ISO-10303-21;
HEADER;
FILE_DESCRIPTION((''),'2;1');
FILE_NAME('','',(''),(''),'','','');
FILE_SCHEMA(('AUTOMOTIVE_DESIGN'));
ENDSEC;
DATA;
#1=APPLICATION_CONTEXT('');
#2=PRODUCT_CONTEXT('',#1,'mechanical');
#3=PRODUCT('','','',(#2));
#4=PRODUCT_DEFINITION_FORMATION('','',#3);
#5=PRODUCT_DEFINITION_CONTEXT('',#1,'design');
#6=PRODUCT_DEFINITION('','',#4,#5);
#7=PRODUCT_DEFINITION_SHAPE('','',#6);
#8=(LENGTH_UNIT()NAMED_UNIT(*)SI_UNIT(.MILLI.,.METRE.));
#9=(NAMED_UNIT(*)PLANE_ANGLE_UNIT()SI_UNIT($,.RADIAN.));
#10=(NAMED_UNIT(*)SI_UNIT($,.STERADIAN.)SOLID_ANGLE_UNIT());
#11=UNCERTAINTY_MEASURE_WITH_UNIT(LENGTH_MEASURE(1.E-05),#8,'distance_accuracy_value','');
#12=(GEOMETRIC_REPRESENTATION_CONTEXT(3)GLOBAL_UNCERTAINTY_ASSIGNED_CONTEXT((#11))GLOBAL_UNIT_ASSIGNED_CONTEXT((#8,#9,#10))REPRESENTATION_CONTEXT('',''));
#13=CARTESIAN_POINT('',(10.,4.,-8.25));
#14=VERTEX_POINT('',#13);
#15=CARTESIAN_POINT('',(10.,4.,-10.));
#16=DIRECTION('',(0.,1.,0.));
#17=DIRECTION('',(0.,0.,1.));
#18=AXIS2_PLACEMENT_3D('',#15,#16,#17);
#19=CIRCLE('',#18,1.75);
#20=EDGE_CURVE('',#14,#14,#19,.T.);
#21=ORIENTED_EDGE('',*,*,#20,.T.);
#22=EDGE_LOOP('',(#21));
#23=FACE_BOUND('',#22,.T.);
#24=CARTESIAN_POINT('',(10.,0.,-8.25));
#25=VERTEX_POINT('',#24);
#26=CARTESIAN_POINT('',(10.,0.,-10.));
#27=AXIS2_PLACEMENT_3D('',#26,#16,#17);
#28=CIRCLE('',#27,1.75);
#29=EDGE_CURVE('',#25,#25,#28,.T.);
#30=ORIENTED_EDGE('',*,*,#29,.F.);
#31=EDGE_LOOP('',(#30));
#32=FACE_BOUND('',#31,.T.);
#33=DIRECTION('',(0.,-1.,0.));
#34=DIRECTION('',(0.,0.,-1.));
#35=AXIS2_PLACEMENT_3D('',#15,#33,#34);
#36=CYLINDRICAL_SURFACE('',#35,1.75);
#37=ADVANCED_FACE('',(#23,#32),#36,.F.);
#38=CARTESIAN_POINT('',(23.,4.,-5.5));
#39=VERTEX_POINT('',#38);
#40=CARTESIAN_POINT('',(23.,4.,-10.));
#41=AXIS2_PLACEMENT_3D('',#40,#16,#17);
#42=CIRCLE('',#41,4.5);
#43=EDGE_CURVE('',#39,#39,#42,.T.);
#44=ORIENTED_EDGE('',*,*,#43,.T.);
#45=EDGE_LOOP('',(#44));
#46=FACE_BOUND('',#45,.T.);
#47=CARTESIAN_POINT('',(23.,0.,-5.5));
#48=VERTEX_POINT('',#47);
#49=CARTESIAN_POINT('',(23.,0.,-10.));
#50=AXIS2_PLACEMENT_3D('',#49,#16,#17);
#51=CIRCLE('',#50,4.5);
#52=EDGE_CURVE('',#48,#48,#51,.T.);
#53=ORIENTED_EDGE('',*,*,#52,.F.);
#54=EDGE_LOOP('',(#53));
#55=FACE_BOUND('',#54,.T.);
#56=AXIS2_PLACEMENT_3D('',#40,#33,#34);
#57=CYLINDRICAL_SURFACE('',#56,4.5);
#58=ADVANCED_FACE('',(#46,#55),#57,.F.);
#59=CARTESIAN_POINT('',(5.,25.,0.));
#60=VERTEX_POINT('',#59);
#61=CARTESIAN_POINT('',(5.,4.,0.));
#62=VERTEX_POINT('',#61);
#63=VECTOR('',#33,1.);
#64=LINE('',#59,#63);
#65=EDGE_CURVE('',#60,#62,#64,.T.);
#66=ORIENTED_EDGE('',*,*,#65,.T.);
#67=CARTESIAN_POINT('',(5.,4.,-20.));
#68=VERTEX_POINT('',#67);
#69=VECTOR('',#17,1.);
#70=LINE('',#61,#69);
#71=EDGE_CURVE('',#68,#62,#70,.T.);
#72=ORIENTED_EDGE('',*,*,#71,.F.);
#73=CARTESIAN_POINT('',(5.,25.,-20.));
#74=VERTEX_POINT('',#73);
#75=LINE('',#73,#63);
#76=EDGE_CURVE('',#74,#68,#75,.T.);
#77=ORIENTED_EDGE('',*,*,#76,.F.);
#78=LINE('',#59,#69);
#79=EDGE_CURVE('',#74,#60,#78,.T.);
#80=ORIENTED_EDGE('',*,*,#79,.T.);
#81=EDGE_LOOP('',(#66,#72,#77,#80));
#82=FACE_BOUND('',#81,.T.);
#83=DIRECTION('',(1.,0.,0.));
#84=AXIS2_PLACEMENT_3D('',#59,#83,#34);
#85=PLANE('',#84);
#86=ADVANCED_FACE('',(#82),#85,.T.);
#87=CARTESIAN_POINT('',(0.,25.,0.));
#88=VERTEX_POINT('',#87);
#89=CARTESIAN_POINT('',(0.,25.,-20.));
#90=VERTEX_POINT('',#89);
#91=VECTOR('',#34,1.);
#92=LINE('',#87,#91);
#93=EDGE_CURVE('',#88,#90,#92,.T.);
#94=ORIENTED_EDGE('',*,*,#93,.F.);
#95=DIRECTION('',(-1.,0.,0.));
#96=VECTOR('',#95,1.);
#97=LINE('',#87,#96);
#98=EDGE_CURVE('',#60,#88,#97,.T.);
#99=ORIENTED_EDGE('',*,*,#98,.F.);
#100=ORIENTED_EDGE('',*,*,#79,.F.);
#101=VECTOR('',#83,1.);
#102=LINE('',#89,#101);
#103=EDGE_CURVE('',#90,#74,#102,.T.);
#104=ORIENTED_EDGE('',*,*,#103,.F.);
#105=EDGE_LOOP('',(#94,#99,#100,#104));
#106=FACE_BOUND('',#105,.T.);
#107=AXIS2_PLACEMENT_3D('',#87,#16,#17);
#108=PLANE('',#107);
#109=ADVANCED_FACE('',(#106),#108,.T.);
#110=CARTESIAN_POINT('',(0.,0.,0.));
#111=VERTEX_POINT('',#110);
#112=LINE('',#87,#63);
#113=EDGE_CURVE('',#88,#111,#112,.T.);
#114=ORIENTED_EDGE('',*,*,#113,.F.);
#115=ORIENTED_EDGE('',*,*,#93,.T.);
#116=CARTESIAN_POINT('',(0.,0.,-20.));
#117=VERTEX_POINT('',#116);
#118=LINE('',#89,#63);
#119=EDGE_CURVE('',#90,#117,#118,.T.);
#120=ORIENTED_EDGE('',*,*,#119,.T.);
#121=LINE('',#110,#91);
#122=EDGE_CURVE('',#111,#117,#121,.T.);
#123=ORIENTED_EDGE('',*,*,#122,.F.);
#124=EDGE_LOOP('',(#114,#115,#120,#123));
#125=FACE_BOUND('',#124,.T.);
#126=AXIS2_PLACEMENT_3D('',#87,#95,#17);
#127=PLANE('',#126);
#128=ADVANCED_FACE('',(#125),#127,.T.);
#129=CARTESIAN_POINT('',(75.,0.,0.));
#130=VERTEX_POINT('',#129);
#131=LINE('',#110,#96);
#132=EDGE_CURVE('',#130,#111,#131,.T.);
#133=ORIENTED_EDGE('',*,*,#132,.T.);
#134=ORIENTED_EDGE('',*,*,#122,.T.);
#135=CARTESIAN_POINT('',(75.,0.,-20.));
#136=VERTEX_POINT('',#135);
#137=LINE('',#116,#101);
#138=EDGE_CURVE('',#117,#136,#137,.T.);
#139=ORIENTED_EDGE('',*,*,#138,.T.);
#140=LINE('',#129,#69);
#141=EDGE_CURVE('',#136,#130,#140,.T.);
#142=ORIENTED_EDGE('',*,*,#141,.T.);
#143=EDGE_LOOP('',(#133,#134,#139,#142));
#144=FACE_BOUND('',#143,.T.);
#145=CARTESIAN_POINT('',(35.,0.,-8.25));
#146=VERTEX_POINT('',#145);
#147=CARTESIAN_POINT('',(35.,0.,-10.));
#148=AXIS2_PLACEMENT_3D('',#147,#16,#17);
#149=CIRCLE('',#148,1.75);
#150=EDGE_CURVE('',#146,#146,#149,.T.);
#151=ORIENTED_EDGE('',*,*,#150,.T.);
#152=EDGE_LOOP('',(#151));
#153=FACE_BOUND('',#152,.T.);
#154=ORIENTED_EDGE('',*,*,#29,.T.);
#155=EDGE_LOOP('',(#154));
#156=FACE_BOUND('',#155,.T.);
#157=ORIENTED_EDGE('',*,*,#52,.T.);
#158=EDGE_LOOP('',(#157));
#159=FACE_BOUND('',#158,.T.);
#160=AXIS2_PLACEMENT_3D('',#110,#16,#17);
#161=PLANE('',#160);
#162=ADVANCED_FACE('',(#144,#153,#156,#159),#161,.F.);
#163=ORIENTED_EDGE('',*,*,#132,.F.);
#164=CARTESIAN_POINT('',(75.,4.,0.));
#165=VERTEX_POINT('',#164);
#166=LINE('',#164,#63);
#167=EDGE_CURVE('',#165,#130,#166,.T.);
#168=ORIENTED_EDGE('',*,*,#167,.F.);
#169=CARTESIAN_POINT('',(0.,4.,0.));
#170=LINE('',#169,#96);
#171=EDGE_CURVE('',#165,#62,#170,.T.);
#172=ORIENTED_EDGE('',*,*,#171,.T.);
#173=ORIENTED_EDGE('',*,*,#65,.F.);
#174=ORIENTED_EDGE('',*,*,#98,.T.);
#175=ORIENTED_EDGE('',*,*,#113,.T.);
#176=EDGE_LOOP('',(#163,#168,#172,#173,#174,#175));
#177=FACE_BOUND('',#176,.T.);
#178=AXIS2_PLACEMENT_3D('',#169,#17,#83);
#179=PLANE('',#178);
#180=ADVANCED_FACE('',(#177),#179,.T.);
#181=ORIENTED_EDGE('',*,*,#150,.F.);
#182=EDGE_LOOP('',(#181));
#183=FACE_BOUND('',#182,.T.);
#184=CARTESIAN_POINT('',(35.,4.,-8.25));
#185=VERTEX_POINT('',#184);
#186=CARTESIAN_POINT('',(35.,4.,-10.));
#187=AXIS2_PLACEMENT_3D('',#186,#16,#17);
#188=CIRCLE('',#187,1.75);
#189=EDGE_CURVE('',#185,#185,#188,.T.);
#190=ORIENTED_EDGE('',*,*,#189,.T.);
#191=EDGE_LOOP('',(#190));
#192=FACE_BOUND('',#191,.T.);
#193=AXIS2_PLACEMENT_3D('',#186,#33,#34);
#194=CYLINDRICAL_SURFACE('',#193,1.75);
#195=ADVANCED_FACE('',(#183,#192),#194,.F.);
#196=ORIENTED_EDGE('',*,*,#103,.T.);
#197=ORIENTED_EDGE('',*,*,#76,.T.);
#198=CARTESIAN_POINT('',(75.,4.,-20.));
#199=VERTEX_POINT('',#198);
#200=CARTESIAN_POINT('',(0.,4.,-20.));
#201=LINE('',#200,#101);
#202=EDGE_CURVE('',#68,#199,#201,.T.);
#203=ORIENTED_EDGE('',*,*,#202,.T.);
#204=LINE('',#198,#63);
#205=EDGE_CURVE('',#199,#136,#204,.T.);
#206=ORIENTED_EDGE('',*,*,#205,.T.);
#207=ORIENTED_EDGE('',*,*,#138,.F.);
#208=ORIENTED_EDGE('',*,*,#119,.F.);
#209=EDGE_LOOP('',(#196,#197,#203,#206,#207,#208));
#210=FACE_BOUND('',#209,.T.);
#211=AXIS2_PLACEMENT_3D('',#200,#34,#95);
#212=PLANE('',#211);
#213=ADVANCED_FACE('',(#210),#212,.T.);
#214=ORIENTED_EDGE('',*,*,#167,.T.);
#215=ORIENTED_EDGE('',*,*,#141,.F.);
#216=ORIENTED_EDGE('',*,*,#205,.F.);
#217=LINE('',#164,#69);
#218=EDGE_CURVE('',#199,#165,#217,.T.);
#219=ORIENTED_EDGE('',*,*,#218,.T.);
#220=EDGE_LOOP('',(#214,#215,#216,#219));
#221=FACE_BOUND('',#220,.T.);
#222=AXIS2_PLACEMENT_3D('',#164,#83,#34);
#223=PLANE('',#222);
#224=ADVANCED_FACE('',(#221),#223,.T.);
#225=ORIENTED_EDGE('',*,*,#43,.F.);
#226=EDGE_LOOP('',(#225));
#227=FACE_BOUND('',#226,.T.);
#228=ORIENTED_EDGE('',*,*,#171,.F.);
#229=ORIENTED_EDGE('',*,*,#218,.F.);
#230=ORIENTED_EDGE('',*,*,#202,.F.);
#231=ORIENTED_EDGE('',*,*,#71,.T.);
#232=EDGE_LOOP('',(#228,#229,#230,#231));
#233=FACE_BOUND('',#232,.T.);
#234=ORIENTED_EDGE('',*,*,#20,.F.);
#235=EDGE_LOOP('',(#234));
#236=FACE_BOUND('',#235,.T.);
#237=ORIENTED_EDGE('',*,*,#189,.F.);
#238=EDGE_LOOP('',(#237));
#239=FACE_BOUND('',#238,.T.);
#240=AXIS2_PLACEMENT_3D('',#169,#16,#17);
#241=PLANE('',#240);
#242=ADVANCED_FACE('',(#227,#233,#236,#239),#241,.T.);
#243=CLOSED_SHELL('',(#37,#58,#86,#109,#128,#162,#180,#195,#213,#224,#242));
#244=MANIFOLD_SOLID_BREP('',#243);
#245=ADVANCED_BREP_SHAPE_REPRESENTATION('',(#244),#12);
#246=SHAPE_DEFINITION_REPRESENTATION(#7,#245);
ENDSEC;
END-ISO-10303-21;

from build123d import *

# Parameters (mm, degrees)
SKETCH_1_W      = 70
SKETCH_1_H      = 20
SKETCH_1_R      = 1.75
SKETCH_1_R_2    = 4.5
EXTRUDE_1_DEPTH = 4
SKETCH_1_3_W    = 5
SKETCH_1_3_H    = 20
EXTRUDE_2_DEPTH = 25


with BuildPart() as part:
    # 草图1 → 凸台-拉伸1 (new body)
    with BuildSketch(Plane(origin=(0, 0, 0), x_dir=(1, 0, 0), z_dir=(0, 1, 0))):
        with Locations((40, 10)):
            Rectangle(SKETCH_1_W, SKETCH_1_H)
        with Locations((10, 10)):
            Circle(SKETCH_1_R, mode=Mode.SUBTRACT)
        with Locations((23, 10)):
            Circle(SKETCH_1_R_2, mode=Mode.SUBTRACT)
        with Locations((35, 10)):
            Circle(SKETCH_1_R, mode=Mode.SUBTRACT)
    extrude(amount=EXTRUDE_1_DEPTH)

    # 草图1<3> → 凸台-拉伸2 (add)
    with BuildSketch(Plane(origin=(0, 0, 0), x_dir=(1, 0, 0), z_dir=(0, 1, 0))):
        with Locations((2.5, 10)):
            Rectangle(SKETCH_1_3_W, SKETCH_1_3_H)
    extrude(amount=EXTRUDE_2_DEPTH)


solid = part.part
